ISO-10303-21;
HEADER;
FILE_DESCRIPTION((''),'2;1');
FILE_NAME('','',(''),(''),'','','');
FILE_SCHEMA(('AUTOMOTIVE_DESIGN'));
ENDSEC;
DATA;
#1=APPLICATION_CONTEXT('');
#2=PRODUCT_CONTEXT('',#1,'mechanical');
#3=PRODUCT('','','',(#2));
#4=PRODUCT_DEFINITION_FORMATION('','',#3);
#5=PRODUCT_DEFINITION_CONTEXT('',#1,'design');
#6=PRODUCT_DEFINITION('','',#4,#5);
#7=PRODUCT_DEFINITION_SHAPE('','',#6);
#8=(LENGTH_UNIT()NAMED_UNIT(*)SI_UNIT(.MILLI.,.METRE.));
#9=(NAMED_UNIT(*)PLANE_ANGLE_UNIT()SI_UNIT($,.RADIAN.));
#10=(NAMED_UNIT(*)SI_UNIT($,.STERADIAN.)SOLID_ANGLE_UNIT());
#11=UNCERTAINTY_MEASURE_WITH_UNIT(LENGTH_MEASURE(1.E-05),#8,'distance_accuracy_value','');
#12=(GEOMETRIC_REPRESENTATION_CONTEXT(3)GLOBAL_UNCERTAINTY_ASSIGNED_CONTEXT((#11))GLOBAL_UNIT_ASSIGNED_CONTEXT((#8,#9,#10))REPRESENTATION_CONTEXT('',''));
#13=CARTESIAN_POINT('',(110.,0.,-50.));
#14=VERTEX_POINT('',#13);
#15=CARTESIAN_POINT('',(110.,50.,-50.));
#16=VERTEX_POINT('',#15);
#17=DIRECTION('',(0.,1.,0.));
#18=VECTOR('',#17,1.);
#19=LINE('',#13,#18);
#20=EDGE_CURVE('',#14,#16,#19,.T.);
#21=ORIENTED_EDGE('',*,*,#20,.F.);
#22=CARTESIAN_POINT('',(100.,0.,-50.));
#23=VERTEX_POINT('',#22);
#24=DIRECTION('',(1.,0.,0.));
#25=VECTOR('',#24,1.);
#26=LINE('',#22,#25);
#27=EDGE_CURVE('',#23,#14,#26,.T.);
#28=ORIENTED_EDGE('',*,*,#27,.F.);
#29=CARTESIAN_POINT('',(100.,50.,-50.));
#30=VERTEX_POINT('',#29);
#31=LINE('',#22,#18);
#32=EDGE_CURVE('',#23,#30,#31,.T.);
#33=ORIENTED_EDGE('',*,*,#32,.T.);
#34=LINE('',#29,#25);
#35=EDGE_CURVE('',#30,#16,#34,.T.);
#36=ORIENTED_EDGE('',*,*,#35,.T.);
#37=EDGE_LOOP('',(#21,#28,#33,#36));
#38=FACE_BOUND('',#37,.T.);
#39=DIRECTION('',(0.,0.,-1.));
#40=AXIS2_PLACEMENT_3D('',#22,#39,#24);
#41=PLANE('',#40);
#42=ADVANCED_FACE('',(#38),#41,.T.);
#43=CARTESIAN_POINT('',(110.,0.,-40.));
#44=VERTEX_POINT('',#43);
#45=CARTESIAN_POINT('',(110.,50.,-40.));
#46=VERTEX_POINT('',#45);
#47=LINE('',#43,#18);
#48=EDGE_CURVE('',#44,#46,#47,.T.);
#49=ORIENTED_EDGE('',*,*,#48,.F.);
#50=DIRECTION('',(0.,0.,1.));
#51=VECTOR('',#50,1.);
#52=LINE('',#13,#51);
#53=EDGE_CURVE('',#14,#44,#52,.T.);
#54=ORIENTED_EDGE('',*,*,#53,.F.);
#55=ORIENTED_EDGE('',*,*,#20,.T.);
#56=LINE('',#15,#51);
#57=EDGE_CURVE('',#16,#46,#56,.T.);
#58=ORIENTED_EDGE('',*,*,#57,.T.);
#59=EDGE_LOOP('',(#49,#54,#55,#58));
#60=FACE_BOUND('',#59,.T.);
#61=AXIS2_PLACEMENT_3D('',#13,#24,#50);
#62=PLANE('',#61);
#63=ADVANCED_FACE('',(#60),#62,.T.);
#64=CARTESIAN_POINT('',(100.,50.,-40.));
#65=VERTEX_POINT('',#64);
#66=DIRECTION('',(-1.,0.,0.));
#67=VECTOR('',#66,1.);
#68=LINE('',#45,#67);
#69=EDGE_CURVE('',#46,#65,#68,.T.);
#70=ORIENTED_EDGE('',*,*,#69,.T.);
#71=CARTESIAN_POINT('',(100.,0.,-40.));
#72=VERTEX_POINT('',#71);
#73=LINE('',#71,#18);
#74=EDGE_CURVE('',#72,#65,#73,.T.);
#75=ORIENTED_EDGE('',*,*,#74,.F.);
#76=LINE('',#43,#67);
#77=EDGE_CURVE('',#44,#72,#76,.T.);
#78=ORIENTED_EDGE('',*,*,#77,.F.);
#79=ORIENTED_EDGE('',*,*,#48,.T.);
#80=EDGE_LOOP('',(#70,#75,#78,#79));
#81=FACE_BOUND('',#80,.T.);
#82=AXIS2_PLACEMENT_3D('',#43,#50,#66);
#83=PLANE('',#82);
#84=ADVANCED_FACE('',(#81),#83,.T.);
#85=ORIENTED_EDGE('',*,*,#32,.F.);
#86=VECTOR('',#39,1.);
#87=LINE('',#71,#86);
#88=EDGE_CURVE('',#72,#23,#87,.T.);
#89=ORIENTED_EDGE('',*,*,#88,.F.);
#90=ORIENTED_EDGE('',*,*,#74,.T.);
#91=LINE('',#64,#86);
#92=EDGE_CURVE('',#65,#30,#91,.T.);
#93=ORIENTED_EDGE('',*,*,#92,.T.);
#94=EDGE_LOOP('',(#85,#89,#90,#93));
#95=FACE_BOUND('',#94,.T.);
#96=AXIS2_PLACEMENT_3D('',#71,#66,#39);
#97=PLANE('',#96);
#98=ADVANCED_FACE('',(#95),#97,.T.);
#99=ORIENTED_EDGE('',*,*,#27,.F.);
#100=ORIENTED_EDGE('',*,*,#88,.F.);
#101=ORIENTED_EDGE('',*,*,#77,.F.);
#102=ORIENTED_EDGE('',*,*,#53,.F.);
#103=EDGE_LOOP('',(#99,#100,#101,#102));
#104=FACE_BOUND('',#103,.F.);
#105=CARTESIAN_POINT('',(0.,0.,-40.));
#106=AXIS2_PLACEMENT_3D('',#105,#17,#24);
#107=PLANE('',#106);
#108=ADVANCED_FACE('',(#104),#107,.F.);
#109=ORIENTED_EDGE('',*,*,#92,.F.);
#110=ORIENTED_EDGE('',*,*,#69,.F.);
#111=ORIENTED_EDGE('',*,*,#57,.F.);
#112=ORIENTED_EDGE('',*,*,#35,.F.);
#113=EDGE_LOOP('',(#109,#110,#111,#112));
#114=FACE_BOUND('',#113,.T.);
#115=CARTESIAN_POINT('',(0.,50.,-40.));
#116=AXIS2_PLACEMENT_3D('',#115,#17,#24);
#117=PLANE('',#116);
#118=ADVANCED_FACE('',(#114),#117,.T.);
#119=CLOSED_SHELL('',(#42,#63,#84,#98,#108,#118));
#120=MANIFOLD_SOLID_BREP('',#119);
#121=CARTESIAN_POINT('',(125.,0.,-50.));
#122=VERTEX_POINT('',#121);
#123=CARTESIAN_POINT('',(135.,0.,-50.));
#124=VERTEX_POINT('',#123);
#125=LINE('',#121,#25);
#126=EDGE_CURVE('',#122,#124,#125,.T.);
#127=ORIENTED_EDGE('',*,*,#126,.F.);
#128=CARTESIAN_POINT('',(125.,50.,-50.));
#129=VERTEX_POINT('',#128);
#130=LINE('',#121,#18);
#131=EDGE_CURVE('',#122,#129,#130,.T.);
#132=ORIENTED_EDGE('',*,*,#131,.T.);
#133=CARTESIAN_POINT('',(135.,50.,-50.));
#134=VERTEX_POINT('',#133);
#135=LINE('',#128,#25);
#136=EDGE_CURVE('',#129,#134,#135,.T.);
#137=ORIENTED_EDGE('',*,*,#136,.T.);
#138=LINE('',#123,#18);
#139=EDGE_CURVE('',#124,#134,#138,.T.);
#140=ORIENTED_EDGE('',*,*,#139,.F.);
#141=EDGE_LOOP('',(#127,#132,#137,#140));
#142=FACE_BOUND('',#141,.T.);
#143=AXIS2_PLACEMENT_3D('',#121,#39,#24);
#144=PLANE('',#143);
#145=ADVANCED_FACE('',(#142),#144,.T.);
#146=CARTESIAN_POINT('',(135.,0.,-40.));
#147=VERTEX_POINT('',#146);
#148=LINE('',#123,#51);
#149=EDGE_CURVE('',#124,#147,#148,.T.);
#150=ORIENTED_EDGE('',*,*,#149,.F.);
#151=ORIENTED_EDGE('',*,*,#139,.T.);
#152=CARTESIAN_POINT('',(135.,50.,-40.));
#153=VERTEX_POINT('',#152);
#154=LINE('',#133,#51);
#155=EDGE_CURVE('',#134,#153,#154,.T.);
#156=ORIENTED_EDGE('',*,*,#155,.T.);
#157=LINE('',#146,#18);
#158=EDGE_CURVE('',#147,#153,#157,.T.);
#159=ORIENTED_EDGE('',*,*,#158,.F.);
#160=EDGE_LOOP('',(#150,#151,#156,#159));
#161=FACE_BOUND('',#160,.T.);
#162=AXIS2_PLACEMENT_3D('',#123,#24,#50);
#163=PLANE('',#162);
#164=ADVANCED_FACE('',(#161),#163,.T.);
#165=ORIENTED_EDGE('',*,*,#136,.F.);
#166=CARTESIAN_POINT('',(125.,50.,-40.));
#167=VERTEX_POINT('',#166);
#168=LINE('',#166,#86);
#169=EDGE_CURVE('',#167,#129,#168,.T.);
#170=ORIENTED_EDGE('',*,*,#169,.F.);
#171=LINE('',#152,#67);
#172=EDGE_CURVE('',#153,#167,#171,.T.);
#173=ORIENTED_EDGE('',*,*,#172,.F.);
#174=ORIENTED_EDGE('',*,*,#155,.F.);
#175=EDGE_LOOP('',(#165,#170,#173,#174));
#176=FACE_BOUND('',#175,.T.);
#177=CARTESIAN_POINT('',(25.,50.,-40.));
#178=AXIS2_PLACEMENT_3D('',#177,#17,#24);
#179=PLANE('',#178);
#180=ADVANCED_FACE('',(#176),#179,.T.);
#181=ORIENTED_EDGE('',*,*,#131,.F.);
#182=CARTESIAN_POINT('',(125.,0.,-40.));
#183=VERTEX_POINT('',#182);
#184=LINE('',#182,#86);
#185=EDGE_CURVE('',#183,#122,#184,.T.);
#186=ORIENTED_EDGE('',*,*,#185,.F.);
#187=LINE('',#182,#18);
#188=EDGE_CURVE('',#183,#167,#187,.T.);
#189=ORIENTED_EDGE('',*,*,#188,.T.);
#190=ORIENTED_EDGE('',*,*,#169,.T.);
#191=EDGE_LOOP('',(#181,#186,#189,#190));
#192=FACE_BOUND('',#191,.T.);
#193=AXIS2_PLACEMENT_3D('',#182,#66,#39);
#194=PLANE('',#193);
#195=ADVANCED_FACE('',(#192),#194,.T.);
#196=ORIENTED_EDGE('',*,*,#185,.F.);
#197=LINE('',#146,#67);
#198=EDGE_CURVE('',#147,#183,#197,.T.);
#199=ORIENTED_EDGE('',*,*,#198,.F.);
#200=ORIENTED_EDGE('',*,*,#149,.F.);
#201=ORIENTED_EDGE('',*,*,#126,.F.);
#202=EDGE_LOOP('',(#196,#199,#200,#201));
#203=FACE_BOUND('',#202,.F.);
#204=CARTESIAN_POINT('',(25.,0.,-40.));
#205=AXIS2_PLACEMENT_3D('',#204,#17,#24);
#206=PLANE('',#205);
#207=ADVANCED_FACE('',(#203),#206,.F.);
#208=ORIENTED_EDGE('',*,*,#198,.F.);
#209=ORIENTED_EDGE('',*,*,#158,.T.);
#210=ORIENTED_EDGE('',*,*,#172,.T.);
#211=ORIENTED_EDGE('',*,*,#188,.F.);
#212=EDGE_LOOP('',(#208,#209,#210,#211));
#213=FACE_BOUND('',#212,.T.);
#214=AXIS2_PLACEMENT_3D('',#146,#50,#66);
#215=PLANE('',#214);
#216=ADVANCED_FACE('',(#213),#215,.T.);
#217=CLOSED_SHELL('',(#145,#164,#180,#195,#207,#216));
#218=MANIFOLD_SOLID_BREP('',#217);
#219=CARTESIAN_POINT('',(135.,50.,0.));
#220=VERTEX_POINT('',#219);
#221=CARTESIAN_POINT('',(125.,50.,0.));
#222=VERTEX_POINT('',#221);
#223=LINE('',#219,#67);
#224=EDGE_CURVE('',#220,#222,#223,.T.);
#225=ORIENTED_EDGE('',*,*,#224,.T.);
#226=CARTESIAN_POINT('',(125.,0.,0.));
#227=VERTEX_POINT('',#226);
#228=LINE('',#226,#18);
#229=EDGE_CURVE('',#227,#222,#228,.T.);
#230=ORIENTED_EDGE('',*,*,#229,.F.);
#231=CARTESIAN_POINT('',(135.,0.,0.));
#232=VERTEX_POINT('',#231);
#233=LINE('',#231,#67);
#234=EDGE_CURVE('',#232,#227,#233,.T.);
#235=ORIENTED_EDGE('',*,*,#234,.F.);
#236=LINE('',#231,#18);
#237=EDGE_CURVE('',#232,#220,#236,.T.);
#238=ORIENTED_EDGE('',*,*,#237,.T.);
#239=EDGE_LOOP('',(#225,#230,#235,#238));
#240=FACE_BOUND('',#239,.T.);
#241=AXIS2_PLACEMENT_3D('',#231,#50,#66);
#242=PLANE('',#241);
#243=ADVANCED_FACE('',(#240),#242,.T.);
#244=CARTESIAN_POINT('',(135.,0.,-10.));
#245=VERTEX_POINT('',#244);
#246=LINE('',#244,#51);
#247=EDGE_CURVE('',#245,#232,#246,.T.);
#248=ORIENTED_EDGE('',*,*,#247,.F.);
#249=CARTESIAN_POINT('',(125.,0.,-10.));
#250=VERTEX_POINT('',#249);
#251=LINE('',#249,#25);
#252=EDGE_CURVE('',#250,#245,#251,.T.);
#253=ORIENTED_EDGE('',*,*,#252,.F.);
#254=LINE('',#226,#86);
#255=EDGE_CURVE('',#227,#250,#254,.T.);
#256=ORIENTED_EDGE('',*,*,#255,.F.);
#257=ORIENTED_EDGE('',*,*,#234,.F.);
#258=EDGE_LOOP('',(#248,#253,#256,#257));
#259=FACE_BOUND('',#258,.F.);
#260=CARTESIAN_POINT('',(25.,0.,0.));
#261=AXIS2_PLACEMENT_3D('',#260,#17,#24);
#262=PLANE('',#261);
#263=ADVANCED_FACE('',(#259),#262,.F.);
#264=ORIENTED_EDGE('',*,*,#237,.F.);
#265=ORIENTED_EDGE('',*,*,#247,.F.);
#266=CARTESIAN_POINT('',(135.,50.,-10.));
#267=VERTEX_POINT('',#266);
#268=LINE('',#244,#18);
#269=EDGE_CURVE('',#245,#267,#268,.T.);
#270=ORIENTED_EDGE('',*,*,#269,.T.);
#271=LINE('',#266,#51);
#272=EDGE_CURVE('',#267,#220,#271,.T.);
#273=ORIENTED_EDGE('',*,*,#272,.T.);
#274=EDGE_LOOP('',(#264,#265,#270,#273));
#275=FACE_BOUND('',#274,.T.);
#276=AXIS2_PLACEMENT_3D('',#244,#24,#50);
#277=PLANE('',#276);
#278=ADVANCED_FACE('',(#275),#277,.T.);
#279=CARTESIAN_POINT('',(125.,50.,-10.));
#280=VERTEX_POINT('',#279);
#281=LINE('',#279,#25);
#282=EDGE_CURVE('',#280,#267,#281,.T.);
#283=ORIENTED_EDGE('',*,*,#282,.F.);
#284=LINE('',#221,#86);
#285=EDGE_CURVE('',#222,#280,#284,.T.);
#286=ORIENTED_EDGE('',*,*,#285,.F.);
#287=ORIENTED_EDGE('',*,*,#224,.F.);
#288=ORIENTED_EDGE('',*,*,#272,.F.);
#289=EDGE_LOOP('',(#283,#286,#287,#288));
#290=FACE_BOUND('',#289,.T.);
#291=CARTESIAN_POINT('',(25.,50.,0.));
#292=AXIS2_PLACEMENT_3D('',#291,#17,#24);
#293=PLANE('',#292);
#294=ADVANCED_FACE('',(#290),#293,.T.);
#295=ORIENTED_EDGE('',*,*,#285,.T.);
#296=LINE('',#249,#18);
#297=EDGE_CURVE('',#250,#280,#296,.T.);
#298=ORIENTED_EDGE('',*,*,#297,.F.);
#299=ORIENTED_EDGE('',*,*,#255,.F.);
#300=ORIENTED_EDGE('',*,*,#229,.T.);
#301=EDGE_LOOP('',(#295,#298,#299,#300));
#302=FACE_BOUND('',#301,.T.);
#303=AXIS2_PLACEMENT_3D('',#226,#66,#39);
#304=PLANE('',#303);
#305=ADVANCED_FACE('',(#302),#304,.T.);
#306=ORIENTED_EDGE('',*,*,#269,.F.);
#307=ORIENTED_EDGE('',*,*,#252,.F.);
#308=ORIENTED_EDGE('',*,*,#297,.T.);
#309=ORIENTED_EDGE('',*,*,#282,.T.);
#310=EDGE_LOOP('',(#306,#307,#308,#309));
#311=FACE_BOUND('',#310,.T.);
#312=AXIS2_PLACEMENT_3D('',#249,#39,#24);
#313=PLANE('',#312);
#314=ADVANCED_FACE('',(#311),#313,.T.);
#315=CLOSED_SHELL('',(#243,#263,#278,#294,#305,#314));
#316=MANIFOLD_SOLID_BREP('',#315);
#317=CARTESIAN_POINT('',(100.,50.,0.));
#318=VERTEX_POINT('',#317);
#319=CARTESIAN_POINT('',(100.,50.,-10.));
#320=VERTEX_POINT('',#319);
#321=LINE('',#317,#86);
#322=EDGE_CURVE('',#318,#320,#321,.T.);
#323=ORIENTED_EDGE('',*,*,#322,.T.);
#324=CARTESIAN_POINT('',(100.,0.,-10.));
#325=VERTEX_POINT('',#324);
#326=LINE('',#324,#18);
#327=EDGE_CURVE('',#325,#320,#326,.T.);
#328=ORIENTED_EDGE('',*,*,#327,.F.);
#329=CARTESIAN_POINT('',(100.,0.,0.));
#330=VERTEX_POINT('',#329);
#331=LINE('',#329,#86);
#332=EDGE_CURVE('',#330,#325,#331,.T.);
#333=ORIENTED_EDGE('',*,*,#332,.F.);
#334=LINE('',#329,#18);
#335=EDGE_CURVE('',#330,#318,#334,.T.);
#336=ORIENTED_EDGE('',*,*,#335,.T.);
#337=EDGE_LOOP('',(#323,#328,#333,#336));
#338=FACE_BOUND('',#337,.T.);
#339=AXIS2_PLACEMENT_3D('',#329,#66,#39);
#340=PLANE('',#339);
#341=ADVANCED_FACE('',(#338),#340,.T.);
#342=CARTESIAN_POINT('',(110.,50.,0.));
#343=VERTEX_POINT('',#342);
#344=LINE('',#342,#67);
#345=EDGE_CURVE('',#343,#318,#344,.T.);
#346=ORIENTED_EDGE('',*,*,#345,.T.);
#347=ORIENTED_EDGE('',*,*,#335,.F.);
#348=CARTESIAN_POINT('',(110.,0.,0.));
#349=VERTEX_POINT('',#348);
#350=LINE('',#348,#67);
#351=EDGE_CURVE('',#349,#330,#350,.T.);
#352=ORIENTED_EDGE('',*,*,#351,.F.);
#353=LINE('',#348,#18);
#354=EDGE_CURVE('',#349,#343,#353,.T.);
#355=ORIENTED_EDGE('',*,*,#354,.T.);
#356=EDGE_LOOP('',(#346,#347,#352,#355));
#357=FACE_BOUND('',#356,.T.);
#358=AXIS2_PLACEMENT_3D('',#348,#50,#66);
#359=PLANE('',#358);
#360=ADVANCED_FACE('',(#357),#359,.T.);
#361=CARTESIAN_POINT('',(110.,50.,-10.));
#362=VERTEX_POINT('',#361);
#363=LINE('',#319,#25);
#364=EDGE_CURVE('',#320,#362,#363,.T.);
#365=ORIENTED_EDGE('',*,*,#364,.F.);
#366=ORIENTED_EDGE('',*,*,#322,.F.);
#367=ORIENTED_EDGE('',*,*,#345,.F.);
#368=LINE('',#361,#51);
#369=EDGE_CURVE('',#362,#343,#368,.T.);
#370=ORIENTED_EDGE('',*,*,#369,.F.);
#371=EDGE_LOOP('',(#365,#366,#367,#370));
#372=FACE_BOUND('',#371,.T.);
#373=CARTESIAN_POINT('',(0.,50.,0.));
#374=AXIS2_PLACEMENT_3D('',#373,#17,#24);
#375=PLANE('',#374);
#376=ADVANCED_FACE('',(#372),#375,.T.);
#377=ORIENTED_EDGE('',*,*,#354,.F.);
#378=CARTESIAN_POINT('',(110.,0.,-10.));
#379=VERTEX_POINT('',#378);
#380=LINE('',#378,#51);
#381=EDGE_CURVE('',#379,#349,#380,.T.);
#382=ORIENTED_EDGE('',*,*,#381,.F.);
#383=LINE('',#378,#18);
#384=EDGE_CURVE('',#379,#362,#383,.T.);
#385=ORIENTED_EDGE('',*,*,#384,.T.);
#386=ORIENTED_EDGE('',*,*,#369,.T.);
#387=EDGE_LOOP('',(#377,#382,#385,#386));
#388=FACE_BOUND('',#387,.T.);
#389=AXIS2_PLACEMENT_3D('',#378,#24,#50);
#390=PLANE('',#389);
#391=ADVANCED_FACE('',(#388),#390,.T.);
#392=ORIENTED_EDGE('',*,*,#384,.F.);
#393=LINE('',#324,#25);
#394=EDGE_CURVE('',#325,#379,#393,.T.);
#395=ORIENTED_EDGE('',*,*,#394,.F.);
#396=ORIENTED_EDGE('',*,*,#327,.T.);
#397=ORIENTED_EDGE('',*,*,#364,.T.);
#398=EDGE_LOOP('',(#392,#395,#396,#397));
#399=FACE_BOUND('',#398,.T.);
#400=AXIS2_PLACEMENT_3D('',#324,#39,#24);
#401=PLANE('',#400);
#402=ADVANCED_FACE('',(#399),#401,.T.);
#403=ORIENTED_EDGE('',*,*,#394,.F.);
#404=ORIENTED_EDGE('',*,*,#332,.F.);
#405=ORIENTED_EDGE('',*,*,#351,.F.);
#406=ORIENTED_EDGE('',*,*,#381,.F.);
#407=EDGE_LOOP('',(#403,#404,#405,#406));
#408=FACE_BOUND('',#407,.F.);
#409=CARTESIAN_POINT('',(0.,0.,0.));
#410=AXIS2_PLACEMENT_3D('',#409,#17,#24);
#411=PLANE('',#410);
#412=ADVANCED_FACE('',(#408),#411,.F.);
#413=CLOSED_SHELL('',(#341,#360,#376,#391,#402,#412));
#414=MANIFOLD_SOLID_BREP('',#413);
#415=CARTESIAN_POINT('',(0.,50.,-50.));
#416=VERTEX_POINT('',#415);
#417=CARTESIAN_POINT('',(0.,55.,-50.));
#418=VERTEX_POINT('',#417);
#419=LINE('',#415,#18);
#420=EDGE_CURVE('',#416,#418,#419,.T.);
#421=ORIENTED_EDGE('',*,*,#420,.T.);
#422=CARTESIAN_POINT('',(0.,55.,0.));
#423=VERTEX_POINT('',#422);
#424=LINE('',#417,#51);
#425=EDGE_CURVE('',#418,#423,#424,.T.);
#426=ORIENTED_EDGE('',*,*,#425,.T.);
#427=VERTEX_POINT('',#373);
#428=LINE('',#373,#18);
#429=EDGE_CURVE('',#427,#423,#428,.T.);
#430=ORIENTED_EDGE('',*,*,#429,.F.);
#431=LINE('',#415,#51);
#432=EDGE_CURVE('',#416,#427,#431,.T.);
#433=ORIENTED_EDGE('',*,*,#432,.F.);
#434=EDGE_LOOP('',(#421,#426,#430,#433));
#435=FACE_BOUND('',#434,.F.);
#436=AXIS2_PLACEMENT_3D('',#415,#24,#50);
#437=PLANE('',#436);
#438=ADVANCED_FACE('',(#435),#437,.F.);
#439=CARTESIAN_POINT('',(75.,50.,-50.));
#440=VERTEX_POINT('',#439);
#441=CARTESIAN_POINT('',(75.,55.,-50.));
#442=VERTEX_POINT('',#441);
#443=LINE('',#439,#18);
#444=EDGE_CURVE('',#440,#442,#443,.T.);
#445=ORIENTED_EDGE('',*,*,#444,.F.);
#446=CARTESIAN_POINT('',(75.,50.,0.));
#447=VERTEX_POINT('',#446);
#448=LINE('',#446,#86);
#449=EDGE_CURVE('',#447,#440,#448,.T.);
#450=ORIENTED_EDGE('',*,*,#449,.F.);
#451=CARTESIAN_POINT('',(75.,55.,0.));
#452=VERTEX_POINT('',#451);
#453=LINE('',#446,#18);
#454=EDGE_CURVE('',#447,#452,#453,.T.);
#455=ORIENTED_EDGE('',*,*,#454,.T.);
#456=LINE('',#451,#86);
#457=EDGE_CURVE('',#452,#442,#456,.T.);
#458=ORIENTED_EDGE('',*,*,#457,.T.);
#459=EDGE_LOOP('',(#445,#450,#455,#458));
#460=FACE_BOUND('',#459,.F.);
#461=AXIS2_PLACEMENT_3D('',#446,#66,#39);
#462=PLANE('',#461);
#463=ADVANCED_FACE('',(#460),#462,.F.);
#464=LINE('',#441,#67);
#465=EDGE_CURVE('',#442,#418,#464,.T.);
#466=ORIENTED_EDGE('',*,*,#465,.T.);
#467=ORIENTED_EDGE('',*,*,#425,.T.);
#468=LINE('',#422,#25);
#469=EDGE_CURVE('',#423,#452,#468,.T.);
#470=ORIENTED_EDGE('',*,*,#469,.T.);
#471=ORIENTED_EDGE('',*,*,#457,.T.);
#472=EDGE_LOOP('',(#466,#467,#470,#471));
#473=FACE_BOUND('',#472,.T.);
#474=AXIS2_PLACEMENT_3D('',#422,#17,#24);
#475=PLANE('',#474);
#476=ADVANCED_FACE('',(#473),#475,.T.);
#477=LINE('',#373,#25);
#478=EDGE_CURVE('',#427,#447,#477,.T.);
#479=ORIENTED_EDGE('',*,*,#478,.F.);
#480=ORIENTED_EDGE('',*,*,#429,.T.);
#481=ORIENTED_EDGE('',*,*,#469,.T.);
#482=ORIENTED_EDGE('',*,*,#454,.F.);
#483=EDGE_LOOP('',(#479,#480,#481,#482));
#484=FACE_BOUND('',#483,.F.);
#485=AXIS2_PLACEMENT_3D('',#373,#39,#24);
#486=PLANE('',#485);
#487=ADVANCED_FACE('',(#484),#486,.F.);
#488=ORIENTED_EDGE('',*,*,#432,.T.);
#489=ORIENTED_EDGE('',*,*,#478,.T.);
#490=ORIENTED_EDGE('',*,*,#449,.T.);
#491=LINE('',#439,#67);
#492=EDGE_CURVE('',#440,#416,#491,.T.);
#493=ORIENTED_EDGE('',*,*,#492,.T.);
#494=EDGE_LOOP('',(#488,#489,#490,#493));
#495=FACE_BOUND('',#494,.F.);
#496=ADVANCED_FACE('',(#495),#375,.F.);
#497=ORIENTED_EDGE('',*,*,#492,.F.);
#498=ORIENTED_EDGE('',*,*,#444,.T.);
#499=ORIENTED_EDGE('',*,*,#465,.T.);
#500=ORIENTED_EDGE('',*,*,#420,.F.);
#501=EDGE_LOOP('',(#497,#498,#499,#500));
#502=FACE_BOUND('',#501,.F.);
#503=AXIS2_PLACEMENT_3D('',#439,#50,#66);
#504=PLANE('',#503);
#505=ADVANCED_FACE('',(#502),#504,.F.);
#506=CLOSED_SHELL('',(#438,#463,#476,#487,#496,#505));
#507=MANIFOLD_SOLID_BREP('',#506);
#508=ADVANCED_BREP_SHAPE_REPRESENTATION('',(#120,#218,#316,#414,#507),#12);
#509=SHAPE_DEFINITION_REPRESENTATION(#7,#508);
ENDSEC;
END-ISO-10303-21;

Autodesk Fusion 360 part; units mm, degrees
sketch "スケッチ1" plane through (0, 0, 0) normal (0, 1, 0) x (1, 0, 0)
  line L0 (0, 0) -> (75, 0)
  line L1 (75, 0) -> (75, 50)
  line L2 (75, 50) -> (0, 50)
  line L3 (0, 50) -> (0, 0)
  line L4 (100, 10) -> (110, 10)
  line L5 (110, 10) -> (110, 0)
  line L6 (110, 0) -> (100, 0)
  line L7 (100, 0) -> (100, 10)
extrude "押し出し1" add sketch "スケッチ1" along normal blind 5 from surface at 50 contours L0 L1 L2 L3 makes body 1 in component "天板"
extrude "押し出し1'" add sketch "スケッチ1" along normal blind 50 separate body contours L4 L5 L6 L7 makes body 2 in component "足"
component "天板" placed x (1, 0, 0) y (0, 1, 0) z (0, 0, 1) at (0, 0, 0)
component "足" placed x (1, 0, 0) y (0, 1, 0) z (0, 0, 1) at (0, 0, 0)
component "足" placed x (1, 0, 0) y (0, 1, 0) z (0, 0, 1) at (25, 0, 0)
component "足" placed x (1, 0, 0) y (0, 1, 0) z (0, 0, 1) at (0, 0, -40)
component "足" placed x (1, 0, 0) y (0, 1, 0) z (0, 0, 1) at (25, 0, -40)
